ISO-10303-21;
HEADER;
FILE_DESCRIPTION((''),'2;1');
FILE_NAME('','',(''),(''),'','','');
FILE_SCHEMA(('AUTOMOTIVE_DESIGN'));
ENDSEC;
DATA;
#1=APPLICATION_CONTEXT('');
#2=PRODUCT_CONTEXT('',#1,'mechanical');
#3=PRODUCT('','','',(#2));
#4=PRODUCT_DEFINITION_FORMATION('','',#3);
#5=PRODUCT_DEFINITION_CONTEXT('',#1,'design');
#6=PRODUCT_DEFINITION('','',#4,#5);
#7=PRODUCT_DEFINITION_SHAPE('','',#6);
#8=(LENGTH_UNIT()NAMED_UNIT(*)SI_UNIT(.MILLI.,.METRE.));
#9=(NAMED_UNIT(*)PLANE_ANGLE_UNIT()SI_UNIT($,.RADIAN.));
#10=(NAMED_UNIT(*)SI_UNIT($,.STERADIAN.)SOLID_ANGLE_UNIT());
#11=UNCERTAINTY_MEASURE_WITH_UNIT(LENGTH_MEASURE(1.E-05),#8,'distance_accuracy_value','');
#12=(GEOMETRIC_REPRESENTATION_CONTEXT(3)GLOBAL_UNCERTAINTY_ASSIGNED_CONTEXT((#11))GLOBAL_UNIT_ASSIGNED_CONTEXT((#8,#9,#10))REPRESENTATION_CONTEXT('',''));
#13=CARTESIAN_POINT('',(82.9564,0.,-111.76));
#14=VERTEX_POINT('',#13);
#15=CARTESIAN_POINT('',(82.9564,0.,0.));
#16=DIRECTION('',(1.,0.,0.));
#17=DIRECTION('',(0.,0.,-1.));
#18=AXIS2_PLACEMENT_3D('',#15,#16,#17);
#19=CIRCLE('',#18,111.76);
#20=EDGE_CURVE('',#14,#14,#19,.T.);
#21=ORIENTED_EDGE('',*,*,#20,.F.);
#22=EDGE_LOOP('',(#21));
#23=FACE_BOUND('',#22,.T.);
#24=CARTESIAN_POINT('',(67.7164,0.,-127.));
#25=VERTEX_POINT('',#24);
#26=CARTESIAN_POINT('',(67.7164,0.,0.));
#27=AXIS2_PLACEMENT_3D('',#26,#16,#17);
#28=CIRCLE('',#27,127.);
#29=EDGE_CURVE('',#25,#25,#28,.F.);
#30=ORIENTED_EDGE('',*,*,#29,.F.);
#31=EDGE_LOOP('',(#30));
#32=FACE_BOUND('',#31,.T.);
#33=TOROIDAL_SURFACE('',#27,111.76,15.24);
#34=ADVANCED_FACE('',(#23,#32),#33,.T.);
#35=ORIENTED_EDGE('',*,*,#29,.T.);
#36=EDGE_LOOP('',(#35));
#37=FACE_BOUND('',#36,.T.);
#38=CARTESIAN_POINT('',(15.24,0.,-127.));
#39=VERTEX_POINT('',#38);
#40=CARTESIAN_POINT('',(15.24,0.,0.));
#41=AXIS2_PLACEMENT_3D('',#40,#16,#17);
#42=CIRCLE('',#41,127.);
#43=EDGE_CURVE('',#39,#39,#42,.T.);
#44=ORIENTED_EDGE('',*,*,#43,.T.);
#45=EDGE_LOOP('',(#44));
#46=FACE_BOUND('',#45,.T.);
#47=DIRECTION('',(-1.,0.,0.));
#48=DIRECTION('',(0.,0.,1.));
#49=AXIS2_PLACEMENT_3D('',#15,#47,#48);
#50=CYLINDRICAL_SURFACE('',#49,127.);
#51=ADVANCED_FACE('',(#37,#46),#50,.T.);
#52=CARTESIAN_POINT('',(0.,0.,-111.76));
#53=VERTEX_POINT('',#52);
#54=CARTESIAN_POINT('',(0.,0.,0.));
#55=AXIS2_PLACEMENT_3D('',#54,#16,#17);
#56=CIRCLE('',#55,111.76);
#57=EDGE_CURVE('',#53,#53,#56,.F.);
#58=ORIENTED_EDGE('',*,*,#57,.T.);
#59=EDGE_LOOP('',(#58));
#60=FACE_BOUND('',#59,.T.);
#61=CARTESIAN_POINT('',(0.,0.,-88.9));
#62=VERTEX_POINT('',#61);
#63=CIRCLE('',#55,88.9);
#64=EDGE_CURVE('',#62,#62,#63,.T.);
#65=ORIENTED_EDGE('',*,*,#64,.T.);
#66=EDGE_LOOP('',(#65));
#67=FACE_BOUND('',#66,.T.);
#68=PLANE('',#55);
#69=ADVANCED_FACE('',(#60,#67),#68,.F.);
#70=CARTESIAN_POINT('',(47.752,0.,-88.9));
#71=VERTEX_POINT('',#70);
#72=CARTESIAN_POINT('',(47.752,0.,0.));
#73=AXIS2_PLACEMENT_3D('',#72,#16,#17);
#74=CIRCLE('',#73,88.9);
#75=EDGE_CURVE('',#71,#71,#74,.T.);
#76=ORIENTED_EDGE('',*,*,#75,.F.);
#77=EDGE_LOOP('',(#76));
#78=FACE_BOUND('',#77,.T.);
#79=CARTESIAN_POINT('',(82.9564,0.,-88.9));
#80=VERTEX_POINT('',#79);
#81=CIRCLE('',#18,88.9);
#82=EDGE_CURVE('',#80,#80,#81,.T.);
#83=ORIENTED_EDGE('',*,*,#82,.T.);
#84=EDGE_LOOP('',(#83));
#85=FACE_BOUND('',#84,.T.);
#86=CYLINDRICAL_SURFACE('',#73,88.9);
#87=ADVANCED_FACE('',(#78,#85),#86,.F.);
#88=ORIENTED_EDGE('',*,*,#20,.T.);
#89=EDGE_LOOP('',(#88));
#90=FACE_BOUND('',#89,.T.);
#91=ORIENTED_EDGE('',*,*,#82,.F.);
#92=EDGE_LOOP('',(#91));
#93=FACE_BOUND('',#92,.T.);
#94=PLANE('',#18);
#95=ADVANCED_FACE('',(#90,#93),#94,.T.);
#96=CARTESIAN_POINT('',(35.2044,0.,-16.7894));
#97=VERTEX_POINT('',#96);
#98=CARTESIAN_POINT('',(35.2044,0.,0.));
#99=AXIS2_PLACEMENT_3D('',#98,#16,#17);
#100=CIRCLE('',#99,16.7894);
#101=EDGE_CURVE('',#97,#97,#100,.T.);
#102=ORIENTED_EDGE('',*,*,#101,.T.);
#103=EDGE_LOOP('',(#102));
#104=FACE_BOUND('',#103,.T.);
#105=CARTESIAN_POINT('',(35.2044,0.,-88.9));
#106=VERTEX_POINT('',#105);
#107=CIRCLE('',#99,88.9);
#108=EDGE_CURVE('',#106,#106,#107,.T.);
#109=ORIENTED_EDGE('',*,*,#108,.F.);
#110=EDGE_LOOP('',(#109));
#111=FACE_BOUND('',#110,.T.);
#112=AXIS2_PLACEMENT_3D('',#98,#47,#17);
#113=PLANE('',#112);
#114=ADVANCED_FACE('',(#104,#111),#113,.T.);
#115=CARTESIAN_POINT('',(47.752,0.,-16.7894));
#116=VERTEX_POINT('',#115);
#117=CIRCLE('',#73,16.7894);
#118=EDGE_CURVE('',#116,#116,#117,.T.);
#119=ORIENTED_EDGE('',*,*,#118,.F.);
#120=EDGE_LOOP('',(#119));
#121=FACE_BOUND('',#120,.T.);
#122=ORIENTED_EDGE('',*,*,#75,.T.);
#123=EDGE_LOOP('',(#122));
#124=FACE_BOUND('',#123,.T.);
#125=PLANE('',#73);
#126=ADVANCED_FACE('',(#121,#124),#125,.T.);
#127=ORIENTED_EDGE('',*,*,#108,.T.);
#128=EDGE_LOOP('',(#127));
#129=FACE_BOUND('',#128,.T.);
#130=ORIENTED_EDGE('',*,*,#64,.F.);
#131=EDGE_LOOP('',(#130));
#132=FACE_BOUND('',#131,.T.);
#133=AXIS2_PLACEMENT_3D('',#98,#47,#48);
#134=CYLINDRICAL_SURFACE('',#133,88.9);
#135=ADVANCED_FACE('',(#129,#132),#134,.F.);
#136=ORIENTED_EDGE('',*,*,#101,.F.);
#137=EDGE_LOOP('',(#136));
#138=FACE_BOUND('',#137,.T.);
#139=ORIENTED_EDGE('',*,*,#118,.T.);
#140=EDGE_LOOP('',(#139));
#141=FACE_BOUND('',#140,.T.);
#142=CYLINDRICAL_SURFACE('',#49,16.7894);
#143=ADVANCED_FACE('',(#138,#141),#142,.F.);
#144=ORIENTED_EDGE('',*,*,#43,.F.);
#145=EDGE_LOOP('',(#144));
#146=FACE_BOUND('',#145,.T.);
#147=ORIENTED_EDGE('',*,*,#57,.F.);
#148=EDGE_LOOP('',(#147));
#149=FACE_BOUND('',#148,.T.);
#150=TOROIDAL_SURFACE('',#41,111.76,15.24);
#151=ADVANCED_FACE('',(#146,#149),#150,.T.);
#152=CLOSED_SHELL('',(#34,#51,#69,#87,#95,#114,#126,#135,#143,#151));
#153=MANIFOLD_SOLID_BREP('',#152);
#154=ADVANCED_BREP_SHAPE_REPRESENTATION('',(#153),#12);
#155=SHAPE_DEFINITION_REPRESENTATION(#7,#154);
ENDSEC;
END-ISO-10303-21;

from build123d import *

# Parameters (mm, degrees)
SKETCH1_R           = 127
SKETCH1_R_2         = 16.7894
BOSS_EXTRUDE1_DEPTH = 82.9564
FILLET1_R           = 15.24
CUT_EXTRUDE1_START  = -35.2044
SKETCH2_R           = 88.9
SKETCH2_R_2         = 16.7894
CUT_EXTRUDE1_DEPTH  = 35.2044


with BuildPart() as part:
    # Sketch1 → Boss-Extrude1 (new body)
    with BuildSketch(Plane(origin=(0, 0, 0), x_dir=(0, 0, -1), z_dir=(1, 0, 0))):
        Circle(SKETCH1_R)
        Circle(SKETCH1_R_2, mode=Mode.SUBTRACT)
    extrude(amount=BOSS_EXTRUDE1_DEPTH)

    # Fillet1
    fillet1_edges = [part.edges().sort_by_distance(p)[0] for p in [
        (0, 0, 127),
        (82.9564, 0, 127),
    ]]
    fillet(fillet1_edges, radius=FILLET1_R)

    # Sketch2 → Cut-Extrude1 (cut)
    with BuildSketch(Plane(origin=(82.9564, 0, 0), x_dir=(0, 0, -1), z_dir=(1, 0, 0)).offset(CUT_EXTRUDE1_START)):
        Circle(SKETCH2_R)
        Circle(SKETCH2_R_2, mode=Mode.SUBTRACT)
    cut_extrude1 = extrude(amount=CUT_EXTRUDE1_DEPTH, mode=Mode.SUBTRACT)

    # Mirror1: Cut-Extrude1 across plane
    add(cut_extrude1.mirror(Plane.ZY.offset(-41.4782)), mode=Mode.SUBTRACT)


solid = part.part
